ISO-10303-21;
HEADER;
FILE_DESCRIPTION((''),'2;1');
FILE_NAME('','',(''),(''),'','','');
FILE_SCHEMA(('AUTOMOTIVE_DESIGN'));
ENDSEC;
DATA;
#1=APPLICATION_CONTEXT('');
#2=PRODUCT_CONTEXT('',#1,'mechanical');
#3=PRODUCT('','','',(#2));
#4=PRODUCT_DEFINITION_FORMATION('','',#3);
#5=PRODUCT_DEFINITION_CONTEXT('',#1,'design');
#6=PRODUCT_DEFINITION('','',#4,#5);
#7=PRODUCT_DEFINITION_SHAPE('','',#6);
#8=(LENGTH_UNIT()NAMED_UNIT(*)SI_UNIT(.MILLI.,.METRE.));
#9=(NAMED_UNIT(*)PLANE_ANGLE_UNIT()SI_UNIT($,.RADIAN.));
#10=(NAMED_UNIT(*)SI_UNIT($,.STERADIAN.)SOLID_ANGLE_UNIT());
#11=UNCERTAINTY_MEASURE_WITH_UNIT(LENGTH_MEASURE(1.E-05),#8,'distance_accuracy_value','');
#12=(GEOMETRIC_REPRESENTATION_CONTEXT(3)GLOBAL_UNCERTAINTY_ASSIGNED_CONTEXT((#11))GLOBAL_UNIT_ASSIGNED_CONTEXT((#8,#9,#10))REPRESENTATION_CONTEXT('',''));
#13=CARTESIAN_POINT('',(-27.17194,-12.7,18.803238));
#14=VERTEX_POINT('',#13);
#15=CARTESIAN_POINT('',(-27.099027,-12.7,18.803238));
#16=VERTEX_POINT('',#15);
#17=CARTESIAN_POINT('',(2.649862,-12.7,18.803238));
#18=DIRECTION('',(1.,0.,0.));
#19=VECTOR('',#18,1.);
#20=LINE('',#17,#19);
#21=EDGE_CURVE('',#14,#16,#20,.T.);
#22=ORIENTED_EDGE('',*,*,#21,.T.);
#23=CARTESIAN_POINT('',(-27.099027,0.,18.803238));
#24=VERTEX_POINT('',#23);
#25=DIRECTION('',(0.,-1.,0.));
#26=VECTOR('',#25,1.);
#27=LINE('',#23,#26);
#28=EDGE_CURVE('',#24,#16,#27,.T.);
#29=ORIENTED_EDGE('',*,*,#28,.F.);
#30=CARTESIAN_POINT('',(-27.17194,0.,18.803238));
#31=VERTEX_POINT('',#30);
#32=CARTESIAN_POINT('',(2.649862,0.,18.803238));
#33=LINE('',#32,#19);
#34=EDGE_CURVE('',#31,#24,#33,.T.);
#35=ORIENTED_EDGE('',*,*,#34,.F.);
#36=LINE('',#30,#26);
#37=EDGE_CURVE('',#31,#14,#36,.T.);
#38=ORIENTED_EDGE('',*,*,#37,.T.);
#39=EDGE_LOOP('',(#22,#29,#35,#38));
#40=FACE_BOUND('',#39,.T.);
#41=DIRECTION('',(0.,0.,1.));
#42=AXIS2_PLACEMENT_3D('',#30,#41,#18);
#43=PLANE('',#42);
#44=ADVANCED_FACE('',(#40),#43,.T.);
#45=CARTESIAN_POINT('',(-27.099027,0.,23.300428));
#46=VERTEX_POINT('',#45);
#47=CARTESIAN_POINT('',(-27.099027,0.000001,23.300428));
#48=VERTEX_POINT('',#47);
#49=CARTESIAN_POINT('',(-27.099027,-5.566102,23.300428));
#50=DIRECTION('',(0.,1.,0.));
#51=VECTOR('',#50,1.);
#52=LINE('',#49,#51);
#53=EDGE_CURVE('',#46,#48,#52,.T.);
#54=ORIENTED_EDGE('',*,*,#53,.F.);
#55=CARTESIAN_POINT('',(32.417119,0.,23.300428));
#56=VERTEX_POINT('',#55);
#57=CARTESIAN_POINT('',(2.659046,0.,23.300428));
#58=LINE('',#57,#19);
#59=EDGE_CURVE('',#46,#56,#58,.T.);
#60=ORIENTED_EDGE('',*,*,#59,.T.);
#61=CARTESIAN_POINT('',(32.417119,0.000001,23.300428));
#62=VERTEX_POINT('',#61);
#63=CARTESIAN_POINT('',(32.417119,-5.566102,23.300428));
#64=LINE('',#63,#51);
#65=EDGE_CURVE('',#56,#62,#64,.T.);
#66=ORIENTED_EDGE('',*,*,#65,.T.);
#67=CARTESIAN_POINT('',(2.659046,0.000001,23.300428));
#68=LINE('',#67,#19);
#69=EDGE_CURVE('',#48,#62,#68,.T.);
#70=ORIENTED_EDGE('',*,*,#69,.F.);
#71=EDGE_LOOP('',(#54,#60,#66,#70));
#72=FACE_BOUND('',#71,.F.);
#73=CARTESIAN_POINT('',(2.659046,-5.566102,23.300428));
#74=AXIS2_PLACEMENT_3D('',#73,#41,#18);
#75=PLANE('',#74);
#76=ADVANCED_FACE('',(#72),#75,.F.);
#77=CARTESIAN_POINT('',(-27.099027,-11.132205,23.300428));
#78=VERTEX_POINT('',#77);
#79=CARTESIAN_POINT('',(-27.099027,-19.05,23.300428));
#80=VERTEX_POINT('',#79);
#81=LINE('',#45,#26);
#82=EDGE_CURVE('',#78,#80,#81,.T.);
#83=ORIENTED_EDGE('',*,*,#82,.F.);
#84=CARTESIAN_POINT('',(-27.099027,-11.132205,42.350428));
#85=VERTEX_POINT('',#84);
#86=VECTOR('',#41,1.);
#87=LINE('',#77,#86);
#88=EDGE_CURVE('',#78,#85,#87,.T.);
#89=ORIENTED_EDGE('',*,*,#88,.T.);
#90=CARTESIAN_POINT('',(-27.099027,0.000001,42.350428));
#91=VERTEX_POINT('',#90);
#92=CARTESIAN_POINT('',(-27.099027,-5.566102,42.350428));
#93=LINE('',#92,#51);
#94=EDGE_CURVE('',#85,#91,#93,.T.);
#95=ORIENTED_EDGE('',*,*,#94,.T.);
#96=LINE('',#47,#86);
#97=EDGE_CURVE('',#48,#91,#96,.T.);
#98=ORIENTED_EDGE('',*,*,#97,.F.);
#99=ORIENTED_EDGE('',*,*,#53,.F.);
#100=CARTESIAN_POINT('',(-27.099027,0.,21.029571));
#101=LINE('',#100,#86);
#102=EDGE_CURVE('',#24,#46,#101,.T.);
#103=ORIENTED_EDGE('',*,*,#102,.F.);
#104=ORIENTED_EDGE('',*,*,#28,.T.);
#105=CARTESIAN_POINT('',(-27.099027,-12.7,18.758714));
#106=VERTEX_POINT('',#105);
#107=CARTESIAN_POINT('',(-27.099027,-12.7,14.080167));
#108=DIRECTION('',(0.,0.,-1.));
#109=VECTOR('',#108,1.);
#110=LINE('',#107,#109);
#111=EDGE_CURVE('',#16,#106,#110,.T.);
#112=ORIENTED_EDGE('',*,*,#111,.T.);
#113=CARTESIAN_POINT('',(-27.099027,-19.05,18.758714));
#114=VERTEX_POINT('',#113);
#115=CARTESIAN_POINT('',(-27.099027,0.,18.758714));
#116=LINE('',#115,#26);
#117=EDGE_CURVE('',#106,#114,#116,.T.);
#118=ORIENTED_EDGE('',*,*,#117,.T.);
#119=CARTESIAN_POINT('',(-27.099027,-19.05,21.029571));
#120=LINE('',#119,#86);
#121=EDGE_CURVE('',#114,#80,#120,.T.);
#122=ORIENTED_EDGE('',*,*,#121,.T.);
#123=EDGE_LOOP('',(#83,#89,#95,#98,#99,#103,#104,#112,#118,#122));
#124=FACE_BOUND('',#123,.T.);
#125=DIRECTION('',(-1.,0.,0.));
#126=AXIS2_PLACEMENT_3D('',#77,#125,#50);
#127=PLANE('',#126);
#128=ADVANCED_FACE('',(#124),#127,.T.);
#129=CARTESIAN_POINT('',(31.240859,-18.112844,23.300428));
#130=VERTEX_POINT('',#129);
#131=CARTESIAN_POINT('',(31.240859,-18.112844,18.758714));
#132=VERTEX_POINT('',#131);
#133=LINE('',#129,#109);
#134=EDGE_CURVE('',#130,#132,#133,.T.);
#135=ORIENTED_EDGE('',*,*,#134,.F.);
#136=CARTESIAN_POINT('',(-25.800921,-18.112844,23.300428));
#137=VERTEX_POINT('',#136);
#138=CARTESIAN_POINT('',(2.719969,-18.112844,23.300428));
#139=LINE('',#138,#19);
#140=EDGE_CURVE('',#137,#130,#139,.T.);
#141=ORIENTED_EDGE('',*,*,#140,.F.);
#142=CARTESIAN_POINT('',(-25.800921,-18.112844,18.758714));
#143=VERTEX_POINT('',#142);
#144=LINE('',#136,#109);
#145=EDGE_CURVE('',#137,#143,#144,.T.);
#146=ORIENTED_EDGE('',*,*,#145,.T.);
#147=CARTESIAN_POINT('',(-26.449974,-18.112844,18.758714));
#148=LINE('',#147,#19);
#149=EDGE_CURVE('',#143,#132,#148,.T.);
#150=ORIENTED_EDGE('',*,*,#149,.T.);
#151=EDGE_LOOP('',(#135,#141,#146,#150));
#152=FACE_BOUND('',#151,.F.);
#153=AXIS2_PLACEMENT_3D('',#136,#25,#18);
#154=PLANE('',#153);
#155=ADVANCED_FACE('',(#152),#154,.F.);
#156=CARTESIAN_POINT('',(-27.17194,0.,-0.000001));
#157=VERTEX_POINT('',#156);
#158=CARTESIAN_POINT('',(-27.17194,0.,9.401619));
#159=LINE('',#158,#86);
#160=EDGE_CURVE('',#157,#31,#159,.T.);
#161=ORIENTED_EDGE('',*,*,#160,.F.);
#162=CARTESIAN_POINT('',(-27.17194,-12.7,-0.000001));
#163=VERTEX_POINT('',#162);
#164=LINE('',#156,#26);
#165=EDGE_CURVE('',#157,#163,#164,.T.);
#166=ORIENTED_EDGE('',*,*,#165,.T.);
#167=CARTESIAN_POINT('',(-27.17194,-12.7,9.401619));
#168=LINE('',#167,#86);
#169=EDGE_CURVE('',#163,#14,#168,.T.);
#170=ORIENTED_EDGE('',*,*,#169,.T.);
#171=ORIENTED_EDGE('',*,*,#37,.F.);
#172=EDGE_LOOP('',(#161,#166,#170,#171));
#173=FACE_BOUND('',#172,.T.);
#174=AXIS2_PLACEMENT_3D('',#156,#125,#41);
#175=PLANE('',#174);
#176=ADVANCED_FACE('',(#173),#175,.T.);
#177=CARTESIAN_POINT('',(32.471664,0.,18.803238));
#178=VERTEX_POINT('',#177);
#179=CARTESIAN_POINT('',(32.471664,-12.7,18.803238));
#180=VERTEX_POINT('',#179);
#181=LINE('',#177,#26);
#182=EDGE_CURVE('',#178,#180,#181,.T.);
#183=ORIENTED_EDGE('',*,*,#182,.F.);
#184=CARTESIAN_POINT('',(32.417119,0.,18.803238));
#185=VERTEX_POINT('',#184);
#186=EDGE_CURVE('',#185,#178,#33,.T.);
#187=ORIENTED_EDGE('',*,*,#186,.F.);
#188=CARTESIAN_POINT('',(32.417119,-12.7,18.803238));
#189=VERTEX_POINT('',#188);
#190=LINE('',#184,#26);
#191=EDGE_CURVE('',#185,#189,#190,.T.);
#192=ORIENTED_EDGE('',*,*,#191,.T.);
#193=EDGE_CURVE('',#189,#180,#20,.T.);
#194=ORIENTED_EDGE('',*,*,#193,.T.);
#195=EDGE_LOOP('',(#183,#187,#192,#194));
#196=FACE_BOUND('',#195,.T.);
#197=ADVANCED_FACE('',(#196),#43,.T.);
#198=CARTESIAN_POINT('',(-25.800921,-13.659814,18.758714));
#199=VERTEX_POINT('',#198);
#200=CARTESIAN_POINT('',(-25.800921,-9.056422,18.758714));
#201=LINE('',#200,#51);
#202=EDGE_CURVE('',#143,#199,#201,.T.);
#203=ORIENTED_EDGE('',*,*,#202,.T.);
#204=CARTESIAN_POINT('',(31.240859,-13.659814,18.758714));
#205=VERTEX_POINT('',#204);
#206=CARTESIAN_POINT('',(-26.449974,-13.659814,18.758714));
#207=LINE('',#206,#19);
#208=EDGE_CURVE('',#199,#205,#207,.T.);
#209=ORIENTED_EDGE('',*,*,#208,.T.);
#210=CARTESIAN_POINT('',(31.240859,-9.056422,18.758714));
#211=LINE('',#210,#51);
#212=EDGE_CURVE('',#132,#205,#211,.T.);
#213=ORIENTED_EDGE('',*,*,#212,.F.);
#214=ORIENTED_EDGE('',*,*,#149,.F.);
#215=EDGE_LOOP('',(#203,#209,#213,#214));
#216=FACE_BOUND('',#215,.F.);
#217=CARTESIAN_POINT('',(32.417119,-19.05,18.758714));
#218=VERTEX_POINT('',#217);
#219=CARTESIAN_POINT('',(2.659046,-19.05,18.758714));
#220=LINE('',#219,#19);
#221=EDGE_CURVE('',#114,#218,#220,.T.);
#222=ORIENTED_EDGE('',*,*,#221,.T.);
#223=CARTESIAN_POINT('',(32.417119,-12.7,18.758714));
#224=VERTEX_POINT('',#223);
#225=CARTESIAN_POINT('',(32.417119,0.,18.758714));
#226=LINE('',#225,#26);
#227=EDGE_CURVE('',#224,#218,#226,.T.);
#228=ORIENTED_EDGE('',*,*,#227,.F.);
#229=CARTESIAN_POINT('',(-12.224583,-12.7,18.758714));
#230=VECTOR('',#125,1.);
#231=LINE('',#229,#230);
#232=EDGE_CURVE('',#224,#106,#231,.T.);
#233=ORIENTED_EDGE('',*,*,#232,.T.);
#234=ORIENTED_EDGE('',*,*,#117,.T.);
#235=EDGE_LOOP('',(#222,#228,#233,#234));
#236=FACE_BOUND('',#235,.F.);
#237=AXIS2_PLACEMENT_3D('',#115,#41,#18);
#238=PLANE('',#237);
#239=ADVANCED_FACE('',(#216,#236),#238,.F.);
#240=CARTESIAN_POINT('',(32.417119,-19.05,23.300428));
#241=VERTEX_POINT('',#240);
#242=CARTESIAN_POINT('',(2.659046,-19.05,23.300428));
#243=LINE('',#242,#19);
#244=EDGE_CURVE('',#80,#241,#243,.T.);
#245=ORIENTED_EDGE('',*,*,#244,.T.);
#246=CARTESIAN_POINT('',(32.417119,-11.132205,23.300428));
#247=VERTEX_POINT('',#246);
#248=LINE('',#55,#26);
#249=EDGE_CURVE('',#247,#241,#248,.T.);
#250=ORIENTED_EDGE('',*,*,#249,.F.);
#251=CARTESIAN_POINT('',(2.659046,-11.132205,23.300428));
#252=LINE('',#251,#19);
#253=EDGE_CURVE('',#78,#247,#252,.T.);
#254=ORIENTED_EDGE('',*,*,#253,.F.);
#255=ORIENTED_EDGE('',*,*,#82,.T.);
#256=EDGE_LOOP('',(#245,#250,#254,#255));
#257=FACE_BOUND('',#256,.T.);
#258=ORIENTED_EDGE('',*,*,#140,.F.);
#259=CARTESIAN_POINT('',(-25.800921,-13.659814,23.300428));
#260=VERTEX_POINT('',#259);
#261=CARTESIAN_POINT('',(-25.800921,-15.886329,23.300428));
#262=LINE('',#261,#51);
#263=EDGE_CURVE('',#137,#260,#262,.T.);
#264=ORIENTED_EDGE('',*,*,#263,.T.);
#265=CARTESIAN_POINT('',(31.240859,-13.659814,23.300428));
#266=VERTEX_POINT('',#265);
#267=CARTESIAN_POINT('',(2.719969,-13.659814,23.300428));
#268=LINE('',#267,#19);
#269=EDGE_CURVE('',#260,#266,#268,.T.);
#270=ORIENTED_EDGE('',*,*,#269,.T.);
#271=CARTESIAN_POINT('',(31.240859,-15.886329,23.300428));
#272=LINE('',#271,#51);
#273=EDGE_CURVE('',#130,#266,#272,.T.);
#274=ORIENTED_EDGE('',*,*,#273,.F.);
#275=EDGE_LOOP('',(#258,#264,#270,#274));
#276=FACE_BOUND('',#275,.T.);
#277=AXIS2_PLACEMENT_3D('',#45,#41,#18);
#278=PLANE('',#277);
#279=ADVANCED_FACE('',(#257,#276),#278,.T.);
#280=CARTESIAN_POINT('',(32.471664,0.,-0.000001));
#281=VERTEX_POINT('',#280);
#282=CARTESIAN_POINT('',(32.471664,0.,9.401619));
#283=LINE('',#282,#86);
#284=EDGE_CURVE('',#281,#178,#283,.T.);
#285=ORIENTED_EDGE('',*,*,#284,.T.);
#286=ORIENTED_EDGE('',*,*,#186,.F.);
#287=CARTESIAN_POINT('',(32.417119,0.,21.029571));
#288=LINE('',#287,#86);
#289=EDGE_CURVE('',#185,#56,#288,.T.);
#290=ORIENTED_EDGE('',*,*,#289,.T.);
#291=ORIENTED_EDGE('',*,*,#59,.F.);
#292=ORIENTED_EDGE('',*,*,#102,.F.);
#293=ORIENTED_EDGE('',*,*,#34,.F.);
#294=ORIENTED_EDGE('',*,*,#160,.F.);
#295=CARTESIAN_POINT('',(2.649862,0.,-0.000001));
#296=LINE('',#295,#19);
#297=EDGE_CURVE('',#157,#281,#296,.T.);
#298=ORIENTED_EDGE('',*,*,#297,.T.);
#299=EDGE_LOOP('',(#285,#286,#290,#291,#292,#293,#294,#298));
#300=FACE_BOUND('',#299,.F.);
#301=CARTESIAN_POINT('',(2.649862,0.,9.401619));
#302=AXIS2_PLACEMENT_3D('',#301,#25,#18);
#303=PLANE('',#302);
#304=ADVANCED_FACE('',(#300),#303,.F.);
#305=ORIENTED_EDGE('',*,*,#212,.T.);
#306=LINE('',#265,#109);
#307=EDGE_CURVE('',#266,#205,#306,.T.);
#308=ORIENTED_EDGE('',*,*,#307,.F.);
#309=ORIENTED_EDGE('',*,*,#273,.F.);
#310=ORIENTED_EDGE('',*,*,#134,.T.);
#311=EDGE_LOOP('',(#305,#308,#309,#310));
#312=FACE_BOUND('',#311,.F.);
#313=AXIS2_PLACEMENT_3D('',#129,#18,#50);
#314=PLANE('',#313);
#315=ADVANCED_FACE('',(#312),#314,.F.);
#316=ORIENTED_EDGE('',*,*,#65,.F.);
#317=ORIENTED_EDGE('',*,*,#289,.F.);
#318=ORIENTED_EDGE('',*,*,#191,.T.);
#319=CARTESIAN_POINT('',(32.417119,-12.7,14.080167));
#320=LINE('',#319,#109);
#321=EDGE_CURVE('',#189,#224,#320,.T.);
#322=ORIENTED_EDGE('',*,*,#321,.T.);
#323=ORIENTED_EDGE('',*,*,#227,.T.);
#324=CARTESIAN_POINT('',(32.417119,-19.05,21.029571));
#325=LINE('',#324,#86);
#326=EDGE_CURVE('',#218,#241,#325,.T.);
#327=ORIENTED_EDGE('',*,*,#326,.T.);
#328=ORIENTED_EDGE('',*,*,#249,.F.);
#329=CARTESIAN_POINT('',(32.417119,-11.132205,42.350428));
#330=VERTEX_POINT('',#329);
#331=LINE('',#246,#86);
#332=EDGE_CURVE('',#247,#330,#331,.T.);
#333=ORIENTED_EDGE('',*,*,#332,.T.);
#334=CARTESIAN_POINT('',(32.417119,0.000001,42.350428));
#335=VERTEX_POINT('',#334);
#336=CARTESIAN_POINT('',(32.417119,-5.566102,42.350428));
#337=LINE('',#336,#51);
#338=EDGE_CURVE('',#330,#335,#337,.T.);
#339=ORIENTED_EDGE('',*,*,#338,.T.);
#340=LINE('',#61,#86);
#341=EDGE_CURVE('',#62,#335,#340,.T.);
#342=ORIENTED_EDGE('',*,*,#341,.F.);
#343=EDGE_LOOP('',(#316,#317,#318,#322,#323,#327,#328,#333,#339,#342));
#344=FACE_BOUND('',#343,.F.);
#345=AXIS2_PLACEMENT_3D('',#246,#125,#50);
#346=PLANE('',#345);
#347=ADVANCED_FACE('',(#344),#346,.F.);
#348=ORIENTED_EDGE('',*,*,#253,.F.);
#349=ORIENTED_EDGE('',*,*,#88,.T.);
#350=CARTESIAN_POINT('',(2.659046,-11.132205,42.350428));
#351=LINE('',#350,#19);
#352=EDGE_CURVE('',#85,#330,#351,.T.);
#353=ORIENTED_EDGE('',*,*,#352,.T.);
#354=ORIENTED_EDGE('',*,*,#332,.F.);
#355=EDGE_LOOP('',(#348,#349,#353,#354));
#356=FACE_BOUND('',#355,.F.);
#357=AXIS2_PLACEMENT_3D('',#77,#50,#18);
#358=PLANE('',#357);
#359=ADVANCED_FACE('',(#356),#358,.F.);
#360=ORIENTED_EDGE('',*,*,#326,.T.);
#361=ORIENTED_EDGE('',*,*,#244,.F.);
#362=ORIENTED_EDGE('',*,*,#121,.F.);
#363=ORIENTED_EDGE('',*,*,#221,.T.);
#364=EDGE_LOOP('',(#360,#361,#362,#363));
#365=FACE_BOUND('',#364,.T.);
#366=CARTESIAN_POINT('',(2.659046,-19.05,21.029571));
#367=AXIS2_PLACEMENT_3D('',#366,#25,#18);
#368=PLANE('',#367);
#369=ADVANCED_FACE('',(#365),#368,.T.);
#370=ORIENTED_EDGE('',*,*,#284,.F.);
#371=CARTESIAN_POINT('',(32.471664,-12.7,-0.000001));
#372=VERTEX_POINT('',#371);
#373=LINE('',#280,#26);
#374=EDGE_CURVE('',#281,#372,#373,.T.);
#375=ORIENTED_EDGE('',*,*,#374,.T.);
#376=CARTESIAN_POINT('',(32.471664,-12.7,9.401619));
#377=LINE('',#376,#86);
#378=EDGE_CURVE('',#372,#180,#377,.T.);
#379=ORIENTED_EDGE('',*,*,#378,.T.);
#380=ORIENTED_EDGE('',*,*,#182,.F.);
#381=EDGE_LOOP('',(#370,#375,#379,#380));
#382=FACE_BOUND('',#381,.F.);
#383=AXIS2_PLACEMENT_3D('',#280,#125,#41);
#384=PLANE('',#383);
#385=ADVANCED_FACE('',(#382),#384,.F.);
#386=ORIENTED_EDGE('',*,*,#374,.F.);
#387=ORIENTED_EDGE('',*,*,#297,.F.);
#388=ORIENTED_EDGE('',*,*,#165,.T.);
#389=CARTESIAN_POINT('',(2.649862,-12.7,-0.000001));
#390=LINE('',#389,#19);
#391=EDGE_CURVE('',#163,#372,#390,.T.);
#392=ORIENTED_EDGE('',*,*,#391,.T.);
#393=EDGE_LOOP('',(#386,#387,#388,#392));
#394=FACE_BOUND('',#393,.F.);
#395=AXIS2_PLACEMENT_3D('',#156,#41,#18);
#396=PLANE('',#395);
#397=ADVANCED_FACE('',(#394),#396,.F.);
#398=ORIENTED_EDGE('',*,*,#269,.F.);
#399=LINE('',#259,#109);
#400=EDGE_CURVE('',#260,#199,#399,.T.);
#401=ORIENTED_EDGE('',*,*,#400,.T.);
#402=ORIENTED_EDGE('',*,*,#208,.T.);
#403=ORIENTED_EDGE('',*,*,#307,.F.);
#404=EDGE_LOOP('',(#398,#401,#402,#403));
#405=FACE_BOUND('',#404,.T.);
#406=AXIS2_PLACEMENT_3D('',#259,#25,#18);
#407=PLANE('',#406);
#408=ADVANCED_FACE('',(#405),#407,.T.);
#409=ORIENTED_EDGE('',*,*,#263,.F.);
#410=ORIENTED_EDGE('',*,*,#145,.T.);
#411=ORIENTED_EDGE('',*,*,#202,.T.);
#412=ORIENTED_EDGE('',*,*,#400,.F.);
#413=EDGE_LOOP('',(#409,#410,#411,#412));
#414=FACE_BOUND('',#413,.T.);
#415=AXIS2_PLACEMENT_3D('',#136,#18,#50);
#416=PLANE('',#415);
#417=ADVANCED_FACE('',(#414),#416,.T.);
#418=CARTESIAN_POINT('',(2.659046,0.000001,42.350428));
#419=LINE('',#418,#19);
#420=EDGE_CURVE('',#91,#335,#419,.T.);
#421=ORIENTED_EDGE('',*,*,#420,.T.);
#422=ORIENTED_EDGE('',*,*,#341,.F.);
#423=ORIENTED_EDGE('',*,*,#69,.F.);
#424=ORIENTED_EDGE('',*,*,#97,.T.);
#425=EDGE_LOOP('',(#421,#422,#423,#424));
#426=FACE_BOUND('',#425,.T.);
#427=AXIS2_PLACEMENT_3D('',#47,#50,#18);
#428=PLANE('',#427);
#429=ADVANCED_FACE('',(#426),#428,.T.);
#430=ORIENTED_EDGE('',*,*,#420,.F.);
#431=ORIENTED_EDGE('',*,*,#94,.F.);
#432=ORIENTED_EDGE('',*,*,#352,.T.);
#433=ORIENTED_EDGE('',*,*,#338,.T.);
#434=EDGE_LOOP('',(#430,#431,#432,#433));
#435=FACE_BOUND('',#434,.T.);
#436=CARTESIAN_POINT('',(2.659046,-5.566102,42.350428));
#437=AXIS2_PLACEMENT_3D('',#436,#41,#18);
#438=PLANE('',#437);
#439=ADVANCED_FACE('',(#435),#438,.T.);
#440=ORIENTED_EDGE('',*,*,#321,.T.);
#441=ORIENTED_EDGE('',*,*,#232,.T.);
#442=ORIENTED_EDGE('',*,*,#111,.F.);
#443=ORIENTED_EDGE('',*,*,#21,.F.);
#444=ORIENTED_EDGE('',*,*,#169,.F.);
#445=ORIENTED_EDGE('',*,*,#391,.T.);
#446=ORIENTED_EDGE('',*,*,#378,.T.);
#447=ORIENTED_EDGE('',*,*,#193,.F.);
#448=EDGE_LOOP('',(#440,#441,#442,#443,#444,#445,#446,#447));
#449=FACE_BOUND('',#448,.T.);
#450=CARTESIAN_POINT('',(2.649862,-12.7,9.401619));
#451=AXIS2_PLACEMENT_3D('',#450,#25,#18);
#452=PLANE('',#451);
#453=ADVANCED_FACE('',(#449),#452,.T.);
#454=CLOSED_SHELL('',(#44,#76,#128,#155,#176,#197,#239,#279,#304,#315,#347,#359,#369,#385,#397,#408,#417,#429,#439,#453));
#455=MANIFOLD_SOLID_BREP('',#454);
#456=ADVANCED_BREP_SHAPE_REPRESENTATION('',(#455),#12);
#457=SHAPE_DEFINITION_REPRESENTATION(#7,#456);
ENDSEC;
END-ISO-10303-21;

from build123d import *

# Parameters (mm, degrees)
F0_W     = 59.643604
F0_H     = 18.803239
F1_DEPTH = 12.7
F2_W     = 59.516147
F2_H     = 4.541714
F3_DEPTH = 19.05
F4_W     = 59.516147
F4_H     = 11.132205
F5_DEPTH = 19.05
F7_W     = 57.041779
F7_H     = 4.45303
F8_DEPTH = 12.7


with BuildPart() as f1:
    # F0 (on Front) → F1 (new body)
    with BuildSketch(Plane.XZ):
        with Locations((2.649862, 9.401619)):
            Rectangle(F0_W, F0_H)
    extrude(amount=F1_DEPTH)

    # F2 (on Front) → F3 (join)
    with BuildSketch(Plane.XZ):
        with Locations((2.659046, 21.029571)):
            Rectangle(F2_W, F2_H)
    extrude(amount=F3_DEPTH)

    # F4 (on face) → F5 (join)
    with BuildSketch(Plane.XY.offset(23.300428)):
        with Locations((2.659046, -5.566102)):
            Rectangle(F4_W, F4_H)
    extrude(amount=F5_DEPTH)

    # F7 (on face) → F8 (cut)
    with BuildSketch(Plane.XY.offset(23.300428)):
        with Locations((2.719969, -15.886329)):
            Rectangle(F7_W, F7_H)
    extrude(amount=-F8_DEPTH, mode=Mode.SUBTRACT)


solid = f1.part
